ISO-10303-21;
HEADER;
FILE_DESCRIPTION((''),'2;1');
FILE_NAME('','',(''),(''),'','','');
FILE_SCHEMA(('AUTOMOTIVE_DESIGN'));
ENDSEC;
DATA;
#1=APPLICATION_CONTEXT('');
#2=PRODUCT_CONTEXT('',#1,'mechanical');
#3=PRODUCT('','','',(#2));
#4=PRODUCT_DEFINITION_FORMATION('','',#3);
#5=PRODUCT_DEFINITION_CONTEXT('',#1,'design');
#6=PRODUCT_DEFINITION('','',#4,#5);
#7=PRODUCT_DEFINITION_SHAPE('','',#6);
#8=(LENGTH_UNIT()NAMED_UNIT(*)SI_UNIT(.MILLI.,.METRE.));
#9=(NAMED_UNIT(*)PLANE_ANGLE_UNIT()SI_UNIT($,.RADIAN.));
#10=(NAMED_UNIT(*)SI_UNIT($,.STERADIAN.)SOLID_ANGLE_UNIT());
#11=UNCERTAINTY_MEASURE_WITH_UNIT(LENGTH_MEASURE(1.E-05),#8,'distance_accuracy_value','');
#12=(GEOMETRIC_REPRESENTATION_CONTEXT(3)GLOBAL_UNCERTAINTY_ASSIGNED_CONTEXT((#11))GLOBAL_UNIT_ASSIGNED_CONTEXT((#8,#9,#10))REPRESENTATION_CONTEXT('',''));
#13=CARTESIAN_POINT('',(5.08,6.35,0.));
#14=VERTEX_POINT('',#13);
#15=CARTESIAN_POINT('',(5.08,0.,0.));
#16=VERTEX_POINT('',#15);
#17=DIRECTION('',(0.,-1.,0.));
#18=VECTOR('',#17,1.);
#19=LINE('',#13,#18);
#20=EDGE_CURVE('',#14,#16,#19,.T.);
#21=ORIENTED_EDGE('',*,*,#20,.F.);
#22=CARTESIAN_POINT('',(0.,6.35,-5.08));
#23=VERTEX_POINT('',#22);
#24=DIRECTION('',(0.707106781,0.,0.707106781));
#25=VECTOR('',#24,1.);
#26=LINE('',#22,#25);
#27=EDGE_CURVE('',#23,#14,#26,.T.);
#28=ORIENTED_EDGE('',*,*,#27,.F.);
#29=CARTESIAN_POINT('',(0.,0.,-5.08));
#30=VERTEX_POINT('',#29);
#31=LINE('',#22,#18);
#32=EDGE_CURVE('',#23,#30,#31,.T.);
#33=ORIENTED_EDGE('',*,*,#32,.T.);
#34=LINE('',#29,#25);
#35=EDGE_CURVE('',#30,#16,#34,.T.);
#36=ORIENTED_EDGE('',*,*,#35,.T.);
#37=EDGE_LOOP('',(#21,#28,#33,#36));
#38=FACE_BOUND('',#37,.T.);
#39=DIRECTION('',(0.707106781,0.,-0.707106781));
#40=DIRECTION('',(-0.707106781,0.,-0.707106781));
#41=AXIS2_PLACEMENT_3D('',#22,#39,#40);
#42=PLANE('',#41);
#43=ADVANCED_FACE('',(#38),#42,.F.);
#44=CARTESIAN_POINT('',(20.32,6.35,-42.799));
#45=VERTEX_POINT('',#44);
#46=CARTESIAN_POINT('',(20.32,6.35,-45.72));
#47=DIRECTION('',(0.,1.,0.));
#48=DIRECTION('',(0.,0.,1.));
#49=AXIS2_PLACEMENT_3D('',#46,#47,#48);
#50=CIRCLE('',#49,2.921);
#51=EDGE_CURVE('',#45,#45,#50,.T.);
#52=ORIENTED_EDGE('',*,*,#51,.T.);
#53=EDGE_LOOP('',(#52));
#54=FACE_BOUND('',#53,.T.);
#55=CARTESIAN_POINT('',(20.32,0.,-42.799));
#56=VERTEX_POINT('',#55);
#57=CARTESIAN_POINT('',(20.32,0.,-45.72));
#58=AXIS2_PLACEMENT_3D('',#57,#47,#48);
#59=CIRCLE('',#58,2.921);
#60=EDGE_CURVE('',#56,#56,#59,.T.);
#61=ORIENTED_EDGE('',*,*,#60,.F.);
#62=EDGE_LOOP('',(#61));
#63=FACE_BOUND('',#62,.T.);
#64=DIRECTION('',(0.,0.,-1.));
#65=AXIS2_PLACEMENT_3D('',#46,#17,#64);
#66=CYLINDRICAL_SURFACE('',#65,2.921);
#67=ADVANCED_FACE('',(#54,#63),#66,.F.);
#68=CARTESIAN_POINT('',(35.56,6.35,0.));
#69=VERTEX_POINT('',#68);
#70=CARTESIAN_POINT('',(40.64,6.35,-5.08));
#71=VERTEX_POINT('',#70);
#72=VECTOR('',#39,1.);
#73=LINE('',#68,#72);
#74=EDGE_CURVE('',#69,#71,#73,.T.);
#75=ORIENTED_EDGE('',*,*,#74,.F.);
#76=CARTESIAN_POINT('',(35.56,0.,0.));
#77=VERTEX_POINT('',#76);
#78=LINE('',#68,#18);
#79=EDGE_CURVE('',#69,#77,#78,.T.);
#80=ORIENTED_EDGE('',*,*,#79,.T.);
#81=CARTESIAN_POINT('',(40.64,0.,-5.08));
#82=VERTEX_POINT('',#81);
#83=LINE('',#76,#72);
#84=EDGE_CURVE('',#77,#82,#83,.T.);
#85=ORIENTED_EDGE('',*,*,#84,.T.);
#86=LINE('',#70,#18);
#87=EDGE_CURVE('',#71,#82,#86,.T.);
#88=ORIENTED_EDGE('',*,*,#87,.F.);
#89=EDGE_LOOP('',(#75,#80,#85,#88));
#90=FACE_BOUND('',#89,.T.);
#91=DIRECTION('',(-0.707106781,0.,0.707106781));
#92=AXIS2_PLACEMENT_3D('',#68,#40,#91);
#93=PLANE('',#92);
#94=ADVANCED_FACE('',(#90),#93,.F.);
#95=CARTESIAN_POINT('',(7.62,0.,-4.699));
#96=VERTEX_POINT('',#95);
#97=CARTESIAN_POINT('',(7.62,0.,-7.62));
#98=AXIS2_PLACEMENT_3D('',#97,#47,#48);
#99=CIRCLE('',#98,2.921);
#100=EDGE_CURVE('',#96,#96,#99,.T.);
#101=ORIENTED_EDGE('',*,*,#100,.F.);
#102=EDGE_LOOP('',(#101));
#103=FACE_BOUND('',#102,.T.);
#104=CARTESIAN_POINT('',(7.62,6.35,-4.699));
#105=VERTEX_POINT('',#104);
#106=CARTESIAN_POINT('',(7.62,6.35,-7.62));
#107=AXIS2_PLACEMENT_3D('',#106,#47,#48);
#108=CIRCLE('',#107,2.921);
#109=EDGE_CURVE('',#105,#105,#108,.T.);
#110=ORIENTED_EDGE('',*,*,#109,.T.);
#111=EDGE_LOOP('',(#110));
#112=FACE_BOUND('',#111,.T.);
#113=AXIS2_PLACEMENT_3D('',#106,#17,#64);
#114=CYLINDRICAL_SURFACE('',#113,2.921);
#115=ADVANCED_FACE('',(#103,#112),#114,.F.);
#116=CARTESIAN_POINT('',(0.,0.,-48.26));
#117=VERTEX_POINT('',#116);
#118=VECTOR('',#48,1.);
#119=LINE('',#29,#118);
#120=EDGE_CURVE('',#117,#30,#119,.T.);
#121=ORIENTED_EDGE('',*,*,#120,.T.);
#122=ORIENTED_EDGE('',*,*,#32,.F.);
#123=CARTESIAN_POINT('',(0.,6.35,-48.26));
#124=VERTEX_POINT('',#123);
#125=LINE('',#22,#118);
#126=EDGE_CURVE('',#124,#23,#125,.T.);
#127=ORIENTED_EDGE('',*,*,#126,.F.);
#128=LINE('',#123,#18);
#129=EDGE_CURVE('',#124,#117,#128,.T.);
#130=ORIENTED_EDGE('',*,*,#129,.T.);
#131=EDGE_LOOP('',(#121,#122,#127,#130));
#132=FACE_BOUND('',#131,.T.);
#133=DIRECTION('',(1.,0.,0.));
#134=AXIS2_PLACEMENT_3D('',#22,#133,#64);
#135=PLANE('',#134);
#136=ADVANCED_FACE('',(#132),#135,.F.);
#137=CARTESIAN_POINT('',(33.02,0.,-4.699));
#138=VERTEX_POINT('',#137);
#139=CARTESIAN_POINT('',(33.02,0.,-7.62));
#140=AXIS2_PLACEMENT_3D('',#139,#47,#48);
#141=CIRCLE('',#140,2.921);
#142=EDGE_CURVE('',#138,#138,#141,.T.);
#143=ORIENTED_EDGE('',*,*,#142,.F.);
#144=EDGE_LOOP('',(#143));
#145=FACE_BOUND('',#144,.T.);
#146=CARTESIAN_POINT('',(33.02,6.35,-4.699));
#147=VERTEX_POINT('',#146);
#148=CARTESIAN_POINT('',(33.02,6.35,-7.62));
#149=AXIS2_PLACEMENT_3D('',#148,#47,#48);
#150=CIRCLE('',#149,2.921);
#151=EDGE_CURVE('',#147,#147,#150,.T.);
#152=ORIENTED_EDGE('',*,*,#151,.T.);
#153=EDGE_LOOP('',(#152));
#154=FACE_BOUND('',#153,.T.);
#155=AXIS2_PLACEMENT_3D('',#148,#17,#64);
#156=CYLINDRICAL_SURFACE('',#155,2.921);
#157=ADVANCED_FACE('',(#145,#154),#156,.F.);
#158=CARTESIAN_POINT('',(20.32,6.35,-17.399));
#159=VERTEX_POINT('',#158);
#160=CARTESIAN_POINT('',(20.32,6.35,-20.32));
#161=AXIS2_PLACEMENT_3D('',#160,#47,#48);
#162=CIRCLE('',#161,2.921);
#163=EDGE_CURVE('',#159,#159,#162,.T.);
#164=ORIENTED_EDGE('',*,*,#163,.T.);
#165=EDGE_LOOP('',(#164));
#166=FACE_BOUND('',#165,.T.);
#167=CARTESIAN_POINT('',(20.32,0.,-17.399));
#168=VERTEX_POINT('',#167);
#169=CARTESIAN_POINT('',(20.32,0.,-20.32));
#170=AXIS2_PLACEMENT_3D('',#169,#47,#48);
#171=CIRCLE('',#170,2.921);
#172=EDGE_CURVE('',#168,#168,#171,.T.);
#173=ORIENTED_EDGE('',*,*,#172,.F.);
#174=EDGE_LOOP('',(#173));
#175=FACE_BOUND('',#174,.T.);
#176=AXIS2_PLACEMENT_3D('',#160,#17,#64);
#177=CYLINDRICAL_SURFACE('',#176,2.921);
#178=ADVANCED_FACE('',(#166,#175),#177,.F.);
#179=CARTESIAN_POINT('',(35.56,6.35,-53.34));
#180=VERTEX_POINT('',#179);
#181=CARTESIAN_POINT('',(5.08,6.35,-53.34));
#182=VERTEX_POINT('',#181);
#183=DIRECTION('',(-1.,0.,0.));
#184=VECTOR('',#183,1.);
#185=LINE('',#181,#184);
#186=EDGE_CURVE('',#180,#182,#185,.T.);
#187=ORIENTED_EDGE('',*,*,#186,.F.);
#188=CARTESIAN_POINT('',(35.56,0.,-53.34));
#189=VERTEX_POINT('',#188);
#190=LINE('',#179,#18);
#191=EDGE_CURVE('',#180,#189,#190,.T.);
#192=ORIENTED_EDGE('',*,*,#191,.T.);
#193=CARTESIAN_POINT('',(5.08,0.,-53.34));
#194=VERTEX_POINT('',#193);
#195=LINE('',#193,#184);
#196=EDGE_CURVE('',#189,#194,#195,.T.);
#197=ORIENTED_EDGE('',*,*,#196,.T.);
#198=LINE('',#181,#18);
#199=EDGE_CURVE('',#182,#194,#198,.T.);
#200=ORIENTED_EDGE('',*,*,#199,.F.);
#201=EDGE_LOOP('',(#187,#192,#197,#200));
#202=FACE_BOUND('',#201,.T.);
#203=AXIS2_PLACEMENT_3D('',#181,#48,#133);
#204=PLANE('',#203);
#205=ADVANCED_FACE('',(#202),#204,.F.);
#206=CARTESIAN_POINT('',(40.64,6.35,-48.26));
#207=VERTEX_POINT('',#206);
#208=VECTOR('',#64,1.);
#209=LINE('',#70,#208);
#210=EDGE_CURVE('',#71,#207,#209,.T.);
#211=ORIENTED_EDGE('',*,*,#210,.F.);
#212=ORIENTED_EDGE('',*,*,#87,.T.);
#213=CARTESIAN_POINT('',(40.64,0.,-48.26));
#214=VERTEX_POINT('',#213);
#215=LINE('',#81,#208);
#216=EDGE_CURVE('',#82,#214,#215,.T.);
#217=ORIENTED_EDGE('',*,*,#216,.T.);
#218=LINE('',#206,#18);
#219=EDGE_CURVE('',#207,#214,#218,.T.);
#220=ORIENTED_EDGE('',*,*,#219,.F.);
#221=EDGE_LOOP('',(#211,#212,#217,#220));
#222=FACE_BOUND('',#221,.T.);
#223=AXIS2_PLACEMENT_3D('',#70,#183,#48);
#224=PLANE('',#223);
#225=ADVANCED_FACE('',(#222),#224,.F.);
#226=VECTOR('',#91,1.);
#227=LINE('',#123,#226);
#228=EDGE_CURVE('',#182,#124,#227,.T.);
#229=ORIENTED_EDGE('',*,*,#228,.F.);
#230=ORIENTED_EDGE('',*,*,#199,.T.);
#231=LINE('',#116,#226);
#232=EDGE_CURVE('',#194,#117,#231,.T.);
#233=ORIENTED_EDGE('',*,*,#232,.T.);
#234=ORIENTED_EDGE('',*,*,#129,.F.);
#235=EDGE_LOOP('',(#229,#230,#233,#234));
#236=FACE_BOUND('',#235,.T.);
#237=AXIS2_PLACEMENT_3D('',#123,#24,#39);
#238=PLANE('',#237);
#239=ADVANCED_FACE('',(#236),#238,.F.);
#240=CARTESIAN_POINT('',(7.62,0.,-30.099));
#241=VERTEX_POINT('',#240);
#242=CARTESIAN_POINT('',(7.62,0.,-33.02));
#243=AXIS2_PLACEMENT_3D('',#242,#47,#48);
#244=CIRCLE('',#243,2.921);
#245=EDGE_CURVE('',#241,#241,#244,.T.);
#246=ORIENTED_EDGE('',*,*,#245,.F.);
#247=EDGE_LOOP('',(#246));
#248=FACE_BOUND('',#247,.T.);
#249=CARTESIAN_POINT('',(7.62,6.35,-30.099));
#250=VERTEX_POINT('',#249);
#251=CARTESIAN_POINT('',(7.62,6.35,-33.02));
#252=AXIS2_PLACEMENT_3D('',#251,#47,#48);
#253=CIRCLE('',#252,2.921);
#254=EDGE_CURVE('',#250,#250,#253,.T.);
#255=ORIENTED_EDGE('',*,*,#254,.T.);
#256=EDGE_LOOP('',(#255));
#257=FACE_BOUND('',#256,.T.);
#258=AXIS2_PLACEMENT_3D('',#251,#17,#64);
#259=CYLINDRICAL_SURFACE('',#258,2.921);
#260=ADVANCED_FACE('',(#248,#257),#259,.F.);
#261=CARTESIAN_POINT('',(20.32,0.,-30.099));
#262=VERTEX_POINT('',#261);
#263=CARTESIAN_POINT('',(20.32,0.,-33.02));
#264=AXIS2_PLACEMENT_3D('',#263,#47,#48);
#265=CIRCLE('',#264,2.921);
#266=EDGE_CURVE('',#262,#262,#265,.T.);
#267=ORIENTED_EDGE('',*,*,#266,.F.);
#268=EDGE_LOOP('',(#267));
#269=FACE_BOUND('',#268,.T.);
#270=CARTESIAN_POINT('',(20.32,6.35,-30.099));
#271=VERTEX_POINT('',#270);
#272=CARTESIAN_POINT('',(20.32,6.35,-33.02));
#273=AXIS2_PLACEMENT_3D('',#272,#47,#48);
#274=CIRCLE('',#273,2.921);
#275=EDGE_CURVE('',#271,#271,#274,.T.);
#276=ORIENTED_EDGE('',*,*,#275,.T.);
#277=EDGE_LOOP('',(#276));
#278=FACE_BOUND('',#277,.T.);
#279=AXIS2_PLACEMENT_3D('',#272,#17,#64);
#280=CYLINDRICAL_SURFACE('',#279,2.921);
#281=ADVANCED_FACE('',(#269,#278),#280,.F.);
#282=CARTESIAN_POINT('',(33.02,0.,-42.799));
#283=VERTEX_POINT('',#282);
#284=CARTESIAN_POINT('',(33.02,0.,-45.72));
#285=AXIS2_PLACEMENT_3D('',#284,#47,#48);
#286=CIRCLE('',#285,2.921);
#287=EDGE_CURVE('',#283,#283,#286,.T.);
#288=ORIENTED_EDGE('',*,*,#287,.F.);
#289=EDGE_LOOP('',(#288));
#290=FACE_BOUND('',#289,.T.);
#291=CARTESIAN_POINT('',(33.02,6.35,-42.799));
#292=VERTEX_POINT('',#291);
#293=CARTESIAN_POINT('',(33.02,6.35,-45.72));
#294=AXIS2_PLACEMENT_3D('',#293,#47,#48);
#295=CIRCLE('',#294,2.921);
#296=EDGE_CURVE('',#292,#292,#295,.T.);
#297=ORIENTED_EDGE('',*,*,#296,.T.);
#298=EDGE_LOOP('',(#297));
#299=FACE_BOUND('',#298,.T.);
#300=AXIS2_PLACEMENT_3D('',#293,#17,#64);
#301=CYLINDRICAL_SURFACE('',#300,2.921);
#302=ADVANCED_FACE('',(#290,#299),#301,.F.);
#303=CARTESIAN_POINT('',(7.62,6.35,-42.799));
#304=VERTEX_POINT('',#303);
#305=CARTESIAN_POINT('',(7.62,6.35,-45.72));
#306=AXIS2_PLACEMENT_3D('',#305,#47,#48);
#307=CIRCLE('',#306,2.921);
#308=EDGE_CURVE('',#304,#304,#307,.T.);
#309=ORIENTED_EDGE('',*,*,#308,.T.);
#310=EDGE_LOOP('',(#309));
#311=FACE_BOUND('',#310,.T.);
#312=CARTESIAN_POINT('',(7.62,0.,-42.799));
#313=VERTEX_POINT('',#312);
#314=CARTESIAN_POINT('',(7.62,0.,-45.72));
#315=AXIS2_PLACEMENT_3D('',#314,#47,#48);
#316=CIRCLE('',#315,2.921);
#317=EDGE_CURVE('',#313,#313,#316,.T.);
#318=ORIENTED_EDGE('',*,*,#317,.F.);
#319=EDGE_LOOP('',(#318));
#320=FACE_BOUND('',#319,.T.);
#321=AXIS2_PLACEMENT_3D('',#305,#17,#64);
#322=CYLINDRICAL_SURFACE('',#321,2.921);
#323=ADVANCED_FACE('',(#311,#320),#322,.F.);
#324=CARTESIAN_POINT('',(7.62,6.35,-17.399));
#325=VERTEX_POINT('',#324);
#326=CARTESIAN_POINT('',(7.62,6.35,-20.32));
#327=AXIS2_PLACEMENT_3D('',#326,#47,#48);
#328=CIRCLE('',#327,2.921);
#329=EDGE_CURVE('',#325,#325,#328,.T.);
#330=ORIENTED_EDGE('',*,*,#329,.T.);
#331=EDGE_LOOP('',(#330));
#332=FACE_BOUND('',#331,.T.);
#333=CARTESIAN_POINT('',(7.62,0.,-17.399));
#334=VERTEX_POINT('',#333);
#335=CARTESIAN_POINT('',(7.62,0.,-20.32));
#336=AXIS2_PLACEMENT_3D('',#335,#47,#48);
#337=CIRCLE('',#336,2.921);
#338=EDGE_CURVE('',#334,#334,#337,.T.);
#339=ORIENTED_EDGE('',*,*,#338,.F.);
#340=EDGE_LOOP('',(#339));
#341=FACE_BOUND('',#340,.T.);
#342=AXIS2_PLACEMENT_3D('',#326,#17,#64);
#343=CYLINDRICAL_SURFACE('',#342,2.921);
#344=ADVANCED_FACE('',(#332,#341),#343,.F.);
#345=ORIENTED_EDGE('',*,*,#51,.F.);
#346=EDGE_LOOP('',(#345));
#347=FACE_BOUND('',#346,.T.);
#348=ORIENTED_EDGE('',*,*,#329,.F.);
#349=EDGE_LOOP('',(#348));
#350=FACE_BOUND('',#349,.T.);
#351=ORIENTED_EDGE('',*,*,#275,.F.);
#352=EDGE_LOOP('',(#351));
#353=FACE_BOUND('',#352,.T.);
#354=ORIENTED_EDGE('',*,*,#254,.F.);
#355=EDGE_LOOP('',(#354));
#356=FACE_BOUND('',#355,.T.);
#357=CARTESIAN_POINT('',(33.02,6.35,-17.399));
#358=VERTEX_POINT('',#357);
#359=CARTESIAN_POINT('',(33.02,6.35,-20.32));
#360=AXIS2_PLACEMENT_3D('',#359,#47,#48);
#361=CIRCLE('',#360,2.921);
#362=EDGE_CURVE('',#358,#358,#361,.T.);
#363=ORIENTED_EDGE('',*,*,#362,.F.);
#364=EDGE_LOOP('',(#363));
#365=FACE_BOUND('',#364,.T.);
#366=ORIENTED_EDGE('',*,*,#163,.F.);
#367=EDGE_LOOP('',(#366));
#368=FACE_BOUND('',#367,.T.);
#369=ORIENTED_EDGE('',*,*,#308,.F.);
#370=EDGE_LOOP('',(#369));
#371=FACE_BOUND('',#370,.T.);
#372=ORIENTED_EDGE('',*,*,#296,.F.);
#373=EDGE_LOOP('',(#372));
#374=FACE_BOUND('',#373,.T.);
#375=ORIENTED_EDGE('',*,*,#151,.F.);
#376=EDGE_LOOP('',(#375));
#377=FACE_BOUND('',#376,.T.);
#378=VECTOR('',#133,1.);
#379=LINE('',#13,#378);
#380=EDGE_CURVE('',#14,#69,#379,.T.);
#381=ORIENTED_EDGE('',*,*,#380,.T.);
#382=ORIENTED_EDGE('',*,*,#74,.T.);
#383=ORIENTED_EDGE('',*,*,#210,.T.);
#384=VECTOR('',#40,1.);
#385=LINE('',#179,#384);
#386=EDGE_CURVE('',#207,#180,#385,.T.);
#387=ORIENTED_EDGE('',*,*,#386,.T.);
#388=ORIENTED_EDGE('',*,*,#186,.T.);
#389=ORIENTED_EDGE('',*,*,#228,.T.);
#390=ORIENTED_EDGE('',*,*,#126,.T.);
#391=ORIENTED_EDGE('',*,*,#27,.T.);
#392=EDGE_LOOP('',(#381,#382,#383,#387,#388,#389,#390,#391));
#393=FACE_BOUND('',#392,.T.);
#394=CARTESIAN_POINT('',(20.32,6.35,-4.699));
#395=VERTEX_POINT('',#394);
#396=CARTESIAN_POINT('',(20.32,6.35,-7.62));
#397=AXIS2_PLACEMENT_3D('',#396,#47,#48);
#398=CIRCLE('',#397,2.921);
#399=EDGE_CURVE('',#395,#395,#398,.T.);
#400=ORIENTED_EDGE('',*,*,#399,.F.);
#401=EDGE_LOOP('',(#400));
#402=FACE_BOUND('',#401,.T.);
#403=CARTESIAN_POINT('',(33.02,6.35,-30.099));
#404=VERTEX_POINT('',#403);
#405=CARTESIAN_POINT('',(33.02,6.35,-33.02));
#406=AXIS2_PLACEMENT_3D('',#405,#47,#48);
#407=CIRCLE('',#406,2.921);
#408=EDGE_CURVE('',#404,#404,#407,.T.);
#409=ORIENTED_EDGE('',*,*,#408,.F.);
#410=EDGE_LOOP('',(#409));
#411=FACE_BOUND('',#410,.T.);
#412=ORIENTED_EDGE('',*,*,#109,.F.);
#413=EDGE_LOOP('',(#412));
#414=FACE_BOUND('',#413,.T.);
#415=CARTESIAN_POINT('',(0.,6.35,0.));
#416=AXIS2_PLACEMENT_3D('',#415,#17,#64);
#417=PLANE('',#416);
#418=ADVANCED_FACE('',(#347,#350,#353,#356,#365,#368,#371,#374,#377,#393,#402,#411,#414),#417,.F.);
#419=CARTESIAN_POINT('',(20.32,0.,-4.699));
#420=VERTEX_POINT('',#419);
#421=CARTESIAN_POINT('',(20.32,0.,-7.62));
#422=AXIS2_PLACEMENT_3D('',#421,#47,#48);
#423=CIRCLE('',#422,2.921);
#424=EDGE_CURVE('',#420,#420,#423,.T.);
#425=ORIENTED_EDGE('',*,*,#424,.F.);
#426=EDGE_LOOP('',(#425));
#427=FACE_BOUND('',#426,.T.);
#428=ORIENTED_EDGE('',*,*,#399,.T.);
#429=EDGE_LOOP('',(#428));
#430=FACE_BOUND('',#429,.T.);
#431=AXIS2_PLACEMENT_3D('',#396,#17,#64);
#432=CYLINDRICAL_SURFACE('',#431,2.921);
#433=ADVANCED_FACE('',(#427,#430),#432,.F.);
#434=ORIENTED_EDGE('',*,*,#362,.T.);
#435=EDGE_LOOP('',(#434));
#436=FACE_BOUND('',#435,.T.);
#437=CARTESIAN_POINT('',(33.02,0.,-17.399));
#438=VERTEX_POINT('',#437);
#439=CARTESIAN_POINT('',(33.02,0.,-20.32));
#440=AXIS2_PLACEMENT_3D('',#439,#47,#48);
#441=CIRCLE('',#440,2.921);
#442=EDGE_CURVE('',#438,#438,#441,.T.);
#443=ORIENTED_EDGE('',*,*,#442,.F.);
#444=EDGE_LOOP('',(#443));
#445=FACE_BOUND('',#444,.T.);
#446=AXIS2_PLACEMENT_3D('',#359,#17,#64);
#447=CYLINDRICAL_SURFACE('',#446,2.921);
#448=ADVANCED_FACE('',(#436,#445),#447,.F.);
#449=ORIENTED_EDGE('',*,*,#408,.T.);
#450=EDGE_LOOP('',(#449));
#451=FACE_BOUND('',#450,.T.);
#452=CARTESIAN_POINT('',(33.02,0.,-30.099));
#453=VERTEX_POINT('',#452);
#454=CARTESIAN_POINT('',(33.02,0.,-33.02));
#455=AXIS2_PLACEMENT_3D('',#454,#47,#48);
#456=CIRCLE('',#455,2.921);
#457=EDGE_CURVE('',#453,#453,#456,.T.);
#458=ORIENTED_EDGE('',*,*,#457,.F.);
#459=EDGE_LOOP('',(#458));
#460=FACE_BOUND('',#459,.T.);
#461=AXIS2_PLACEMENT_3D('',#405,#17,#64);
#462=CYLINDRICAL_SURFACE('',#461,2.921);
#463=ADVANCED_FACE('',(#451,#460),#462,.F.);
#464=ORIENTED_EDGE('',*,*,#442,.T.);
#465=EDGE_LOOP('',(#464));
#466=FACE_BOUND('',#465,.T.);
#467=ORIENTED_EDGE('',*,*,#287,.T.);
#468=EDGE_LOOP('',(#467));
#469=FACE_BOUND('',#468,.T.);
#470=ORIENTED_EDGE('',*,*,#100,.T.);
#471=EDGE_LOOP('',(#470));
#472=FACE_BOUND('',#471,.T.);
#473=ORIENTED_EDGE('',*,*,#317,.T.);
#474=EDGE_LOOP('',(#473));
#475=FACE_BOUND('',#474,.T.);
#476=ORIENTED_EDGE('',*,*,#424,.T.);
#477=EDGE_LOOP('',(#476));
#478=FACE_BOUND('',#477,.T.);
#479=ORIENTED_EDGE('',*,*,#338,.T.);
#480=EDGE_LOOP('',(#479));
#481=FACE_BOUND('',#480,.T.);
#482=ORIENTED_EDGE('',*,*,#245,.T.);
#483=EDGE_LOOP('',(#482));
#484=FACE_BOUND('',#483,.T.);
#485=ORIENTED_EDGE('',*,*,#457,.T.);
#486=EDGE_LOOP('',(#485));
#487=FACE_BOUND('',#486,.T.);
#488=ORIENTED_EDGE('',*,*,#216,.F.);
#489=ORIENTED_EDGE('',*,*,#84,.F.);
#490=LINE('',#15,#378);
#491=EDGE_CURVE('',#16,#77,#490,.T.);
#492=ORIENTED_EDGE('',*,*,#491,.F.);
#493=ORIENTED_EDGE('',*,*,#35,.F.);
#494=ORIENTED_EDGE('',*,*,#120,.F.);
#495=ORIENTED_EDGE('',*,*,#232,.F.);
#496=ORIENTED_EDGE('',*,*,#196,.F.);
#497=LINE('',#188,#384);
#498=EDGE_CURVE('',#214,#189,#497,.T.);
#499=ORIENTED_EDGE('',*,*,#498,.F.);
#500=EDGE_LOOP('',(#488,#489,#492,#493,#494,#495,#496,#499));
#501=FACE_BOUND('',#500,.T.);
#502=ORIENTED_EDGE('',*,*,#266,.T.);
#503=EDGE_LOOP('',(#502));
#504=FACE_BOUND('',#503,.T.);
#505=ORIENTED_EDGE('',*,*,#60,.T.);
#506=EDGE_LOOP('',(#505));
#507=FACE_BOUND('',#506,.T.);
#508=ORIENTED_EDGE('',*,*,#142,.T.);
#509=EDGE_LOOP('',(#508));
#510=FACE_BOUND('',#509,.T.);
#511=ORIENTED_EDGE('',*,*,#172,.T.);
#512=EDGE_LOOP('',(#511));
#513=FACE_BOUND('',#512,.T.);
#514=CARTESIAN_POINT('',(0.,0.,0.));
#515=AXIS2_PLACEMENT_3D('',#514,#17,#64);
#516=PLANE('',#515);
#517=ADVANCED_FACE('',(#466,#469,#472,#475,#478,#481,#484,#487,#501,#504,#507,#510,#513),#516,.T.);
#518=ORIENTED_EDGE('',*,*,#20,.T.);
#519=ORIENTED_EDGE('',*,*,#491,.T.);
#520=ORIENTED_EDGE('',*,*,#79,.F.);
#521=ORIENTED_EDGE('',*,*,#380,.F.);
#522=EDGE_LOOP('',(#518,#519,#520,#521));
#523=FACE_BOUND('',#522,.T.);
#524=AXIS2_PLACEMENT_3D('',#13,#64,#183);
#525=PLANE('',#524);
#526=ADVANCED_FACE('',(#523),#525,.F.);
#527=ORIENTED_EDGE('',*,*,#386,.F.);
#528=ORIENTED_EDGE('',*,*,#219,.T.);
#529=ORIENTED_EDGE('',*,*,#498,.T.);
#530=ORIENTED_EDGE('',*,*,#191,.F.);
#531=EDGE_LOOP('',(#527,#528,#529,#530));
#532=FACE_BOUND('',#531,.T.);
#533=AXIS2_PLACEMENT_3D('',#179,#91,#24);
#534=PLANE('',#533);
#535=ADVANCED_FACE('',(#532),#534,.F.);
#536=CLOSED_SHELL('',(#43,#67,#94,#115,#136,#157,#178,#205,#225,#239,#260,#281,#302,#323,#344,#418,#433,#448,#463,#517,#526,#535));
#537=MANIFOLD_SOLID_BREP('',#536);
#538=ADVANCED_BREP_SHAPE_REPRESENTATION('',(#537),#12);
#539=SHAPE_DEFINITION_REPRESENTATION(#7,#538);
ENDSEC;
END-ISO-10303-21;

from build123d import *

# Parameters (mm, degrees)
SKETCH1_R           = 2.921
BOSS_EXTRUDE1_DEPTH = 6.35


with BuildPart() as part:
    # Sketch1 → Boss-Extrude1 (new body)
    with BuildSketch(Plane(origin=(0, 0, 0), x_dir=(1, 0, 0), z_dir=(0, 1, 0))):
        Polygon((0, 48.26), (5.08, 53.34), (35.56, 53.34), (40.64, 48.26), (40.64, 5.08), (35.56, 0), (5.08, 0), (0, 5.08), align=None)
        with Locations(Location((7.62, 7.62, 0), (0, 0, 270))):
            Circle(SKETCH1_R, mode=Mode.SUBTRACT)
        with Locations(Location((20.32, 7.62, 0), (0, 0, 270))):
            Circle(SKETCH1_R, mode=Mode.SUBTRACT)
        with Locations(Location((33.02, 7.62, 0), (0, 0, 270))):
            Circle(SKETCH1_R, mode=Mode.SUBTRACT)
        with Locations(Location((20.32, 20.32, 0), (0, 0, 270))):
            Circle(SKETCH1_R, mode=Mode.SUBTRACT)
        with Locations(Location((33.02, 20.32, 0), (0, 0, 270))):
            Circle(SKETCH1_R, mode=Mode.SUBTRACT)
        with Locations(Location((20.32, 33.02, 0), (0, 0, 270))):
            Circle(SKETCH1_R, mode=Mode.SUBTRACT)
        with Locations(Location((33.02, 33.02, 0), (0, 0, 270))):
            Circle(SKETCH1_R, mode=Mode.SUBTRACT)
        with Locations(Location((20.32, 45.72, 0), (0, 0, 270))):
            Circle(SKETCH1_R, mode=Mode.SUBTRACT)
        with Locations(Location((33.02, 45.72, 0), (0, 0, 270))):
            Circle(SKETCH1_R, mode=Mode.SUBTRACT)
        with Locations(Location((7.62, 20.32, 0), (0, 0, 270))):
            Circle(SKETCH1_R, mode=Mode.SUBTRACT)
        with Locations(Location((7.62, 33.02, 0), (0, 0, 270))):
            Circle(SKETCH1_R, mode=Mode.SUBTRACT)
        with Locations(Location((7.62, 45.72, 0), (0, 0, 270))):
            Circle(SKETCH1_R, mode=Mode.SUBTRACT)
    extrude(amount=BOSS_EXTRUDE1_DEPTH)


solid = part.part
